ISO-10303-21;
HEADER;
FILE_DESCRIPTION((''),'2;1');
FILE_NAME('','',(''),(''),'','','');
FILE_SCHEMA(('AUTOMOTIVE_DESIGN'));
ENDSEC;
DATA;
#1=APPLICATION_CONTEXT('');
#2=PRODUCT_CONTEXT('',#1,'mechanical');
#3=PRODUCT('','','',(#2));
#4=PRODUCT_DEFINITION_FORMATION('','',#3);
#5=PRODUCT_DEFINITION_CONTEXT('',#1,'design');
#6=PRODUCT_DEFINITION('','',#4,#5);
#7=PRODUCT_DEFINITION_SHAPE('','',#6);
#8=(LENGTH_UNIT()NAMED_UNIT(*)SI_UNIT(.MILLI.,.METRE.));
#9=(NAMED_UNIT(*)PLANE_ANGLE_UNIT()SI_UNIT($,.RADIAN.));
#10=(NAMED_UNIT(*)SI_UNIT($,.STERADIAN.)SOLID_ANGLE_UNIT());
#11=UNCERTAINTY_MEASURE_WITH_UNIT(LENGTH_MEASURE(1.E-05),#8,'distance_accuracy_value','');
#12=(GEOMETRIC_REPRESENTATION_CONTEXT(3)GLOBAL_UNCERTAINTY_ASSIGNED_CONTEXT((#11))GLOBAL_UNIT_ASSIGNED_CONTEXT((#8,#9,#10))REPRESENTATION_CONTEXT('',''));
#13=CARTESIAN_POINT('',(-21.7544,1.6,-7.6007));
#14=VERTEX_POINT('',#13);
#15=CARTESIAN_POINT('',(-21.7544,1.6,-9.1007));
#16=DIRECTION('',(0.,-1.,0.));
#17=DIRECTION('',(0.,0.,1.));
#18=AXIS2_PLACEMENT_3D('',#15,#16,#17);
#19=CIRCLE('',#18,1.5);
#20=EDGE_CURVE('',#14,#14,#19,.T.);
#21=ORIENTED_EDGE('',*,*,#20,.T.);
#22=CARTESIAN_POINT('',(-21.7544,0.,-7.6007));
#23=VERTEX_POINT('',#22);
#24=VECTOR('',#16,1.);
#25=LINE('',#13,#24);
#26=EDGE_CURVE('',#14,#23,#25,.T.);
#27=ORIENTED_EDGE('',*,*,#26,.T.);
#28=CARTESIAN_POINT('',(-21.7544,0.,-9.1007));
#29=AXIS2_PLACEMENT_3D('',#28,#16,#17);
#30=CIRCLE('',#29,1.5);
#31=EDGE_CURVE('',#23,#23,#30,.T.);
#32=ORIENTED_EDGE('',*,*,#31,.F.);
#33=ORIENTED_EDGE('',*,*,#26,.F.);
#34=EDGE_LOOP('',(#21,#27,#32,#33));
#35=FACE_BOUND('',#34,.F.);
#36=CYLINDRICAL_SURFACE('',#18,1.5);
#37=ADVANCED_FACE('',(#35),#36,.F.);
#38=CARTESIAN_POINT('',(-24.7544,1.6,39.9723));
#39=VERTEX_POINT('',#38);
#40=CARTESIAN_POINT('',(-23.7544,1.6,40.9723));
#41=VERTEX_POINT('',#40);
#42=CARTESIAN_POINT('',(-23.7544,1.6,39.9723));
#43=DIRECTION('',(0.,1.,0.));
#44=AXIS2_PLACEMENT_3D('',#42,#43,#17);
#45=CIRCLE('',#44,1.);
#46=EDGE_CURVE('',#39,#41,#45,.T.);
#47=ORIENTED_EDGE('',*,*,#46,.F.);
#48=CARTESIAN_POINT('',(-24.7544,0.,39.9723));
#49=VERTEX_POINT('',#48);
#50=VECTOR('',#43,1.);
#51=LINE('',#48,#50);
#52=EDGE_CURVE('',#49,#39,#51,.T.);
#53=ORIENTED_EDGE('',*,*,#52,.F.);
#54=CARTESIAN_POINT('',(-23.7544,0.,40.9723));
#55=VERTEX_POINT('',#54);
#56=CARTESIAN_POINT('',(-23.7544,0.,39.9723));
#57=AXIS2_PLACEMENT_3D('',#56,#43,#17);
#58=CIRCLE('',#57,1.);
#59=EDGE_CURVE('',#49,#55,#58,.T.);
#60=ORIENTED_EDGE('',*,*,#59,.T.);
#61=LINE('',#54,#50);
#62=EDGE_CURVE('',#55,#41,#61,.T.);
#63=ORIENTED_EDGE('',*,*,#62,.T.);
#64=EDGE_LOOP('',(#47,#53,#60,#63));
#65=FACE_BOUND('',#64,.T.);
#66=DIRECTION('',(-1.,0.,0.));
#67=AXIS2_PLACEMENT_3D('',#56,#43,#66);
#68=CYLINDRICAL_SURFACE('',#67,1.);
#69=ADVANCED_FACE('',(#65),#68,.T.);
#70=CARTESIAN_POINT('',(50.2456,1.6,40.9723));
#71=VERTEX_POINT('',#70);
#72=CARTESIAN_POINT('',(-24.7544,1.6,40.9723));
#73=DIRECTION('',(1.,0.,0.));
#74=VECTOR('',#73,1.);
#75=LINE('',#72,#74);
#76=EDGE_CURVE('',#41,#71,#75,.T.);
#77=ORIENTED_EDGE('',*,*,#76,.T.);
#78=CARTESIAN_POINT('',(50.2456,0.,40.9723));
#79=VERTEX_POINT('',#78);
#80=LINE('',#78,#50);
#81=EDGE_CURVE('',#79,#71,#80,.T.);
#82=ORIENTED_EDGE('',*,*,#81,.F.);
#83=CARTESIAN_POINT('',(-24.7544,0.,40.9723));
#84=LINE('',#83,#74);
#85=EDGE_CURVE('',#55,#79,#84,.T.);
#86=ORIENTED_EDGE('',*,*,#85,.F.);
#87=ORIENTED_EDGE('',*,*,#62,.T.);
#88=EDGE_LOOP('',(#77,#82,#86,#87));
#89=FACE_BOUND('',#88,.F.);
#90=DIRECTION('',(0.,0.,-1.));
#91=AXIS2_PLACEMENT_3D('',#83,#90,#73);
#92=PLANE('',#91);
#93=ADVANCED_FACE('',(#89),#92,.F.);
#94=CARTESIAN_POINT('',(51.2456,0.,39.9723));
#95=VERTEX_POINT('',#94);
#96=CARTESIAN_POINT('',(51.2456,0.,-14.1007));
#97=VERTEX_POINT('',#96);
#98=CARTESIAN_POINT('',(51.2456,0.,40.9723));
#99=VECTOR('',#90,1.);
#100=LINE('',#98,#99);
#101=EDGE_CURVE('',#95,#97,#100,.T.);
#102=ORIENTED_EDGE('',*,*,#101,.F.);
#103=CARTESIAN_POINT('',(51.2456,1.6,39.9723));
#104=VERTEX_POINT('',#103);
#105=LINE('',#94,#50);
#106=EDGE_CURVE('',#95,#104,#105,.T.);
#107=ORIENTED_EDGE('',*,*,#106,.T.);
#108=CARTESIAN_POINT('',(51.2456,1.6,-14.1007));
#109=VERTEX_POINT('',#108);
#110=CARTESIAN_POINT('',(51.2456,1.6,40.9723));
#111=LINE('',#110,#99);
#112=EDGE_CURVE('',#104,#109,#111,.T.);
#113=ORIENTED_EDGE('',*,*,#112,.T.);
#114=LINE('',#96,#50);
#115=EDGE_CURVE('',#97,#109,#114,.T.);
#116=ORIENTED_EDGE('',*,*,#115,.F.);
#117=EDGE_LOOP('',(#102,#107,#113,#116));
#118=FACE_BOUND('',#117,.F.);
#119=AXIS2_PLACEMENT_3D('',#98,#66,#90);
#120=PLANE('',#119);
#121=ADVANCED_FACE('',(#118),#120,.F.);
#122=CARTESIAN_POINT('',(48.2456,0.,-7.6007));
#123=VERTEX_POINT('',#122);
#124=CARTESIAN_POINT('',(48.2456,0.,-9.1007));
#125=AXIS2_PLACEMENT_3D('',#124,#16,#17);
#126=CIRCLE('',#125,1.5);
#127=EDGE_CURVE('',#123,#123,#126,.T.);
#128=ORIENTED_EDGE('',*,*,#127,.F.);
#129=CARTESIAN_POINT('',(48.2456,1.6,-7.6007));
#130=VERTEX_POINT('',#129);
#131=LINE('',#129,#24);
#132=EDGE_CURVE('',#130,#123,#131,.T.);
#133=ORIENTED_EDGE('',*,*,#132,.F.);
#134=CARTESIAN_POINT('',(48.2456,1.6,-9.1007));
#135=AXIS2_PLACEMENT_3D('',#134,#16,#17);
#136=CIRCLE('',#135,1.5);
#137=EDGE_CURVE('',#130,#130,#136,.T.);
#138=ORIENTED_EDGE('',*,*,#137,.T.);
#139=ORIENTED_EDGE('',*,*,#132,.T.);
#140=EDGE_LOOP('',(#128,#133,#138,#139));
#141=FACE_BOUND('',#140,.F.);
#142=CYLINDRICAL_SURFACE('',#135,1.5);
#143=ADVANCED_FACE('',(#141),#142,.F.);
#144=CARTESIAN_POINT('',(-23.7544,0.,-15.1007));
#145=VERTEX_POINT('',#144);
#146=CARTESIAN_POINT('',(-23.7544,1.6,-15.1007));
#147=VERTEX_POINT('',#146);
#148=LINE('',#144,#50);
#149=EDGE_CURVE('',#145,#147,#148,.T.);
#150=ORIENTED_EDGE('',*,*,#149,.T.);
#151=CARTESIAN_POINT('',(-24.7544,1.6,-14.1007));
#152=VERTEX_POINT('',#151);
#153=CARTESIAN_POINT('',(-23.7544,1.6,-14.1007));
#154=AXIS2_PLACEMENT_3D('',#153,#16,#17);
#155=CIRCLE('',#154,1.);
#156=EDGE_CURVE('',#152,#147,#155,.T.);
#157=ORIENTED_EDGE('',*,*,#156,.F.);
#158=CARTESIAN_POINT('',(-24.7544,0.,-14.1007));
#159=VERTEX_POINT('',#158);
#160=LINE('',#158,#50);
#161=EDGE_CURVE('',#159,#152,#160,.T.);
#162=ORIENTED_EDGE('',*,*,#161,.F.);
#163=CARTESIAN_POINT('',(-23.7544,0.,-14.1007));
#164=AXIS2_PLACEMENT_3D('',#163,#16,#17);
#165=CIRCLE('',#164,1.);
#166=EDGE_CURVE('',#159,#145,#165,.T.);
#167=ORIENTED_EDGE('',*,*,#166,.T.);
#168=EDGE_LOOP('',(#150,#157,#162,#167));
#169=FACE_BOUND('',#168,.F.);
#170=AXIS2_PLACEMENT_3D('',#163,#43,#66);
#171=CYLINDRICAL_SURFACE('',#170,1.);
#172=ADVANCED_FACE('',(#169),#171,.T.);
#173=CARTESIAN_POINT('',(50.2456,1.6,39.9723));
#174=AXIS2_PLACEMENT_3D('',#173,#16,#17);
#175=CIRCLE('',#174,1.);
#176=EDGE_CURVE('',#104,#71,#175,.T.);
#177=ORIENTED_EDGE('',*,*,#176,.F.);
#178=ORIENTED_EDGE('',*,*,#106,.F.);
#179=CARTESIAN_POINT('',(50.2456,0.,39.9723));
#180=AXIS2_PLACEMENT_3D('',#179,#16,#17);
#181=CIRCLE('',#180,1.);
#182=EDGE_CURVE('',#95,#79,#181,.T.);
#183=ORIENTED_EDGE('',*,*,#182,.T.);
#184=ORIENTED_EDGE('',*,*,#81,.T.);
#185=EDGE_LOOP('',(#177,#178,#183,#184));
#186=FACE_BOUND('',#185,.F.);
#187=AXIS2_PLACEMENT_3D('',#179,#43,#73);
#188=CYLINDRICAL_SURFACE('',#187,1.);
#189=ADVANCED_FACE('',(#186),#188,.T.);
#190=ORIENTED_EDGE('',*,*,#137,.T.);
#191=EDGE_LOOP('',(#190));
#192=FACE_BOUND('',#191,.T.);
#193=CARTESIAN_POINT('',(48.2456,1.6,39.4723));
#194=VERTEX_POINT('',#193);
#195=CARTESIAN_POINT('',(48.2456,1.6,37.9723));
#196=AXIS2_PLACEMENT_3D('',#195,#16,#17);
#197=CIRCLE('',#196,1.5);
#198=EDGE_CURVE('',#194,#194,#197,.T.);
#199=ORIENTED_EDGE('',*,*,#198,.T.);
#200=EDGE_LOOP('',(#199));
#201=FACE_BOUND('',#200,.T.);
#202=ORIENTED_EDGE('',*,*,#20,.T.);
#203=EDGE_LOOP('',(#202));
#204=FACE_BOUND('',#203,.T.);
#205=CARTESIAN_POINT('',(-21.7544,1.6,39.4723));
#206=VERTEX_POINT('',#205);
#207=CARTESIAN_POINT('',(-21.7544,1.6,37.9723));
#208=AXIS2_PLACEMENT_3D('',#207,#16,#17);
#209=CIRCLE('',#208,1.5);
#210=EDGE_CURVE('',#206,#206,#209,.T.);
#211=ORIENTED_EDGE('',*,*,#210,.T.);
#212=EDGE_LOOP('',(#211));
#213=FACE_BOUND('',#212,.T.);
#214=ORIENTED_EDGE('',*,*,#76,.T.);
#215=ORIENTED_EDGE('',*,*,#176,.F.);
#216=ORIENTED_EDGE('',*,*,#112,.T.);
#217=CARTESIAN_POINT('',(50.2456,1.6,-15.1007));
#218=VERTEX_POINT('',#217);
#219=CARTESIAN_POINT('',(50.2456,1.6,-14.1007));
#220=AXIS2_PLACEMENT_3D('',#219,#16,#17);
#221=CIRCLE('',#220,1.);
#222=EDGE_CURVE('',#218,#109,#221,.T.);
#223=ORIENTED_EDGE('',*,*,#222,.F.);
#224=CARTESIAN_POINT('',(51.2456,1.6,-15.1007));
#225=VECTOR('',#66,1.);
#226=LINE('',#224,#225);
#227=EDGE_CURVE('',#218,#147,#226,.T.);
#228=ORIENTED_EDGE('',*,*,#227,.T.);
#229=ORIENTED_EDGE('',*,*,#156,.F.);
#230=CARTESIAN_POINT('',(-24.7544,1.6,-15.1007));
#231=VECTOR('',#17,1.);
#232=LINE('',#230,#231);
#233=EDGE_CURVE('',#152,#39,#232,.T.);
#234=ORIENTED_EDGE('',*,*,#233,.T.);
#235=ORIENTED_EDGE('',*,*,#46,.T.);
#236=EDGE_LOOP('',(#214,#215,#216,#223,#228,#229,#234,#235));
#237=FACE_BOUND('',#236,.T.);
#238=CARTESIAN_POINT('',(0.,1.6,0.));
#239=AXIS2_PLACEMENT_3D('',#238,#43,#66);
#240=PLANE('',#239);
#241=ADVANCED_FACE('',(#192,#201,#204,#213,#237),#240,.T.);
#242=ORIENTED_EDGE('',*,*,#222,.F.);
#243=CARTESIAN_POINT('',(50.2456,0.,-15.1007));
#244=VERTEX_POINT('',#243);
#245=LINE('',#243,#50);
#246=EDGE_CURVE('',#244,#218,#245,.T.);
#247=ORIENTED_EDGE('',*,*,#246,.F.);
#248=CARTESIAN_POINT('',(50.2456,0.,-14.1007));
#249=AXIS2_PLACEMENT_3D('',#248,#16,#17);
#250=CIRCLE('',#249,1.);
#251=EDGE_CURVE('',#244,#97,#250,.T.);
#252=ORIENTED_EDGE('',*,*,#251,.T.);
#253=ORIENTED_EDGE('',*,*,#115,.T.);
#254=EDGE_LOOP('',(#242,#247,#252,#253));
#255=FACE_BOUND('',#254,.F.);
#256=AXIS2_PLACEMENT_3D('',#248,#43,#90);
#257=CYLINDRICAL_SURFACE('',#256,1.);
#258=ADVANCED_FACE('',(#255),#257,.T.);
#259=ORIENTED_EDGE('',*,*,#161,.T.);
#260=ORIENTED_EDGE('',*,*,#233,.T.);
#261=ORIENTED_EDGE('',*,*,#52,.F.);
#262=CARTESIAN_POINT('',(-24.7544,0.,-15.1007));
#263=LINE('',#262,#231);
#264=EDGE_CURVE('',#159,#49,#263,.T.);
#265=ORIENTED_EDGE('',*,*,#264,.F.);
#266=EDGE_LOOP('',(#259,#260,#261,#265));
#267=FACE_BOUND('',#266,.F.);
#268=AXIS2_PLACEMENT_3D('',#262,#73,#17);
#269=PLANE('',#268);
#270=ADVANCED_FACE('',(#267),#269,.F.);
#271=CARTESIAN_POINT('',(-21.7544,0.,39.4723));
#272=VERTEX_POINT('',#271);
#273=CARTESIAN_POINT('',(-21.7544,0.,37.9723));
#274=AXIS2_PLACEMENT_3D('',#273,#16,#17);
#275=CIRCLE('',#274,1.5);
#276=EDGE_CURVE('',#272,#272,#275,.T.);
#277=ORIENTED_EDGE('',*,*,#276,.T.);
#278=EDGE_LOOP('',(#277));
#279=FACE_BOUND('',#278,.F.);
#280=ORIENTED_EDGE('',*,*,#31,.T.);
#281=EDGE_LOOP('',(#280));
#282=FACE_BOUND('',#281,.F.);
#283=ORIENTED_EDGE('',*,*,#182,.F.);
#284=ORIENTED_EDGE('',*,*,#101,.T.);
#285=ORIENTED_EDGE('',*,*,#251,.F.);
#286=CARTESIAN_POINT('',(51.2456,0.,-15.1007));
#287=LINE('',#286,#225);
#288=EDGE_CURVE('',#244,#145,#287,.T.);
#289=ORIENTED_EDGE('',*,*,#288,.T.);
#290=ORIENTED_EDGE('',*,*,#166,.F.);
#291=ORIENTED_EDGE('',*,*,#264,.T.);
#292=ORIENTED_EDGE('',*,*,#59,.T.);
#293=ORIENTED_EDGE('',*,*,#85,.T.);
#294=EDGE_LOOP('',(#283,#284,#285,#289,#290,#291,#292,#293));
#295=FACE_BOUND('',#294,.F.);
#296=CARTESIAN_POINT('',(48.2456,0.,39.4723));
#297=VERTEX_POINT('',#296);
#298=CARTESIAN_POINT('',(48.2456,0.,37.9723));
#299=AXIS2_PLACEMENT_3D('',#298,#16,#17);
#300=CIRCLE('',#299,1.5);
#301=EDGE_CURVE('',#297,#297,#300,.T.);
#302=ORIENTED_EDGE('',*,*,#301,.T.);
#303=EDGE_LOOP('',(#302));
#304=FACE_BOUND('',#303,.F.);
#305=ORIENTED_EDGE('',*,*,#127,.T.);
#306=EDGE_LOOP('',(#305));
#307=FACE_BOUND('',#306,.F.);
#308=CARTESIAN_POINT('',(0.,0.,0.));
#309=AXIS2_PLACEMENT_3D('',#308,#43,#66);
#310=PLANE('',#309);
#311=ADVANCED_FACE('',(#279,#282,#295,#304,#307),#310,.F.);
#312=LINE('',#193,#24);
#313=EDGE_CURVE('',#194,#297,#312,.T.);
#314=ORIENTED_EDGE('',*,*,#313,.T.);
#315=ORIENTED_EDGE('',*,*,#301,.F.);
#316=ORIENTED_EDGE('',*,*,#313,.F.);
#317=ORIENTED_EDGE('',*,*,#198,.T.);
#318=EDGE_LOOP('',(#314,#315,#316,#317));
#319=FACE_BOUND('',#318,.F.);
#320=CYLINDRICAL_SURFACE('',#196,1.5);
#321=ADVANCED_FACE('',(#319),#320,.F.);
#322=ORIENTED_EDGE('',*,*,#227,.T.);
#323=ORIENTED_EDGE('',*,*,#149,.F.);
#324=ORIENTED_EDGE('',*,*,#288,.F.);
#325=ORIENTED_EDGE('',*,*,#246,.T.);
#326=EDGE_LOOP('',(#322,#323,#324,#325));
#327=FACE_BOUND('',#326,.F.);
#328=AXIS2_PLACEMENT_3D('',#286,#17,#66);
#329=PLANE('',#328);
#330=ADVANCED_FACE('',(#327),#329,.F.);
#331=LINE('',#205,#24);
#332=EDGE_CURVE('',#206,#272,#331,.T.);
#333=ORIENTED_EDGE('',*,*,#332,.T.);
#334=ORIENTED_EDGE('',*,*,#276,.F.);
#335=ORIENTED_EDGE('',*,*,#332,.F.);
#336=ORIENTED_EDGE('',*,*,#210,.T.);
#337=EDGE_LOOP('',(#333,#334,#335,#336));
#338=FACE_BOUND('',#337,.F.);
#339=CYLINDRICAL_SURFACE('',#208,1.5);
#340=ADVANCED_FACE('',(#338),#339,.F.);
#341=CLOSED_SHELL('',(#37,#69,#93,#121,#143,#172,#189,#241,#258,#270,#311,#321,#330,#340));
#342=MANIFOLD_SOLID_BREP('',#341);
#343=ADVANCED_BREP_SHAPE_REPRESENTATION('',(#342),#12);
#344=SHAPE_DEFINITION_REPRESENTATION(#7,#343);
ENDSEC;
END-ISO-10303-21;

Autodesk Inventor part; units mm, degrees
ref_plane "YZ Plane" through (0, 0, 0) normal (1, 0, 0) x (0, 1, 0)
ref_plane "XZ Plane" through (0, 0, 0) normal (0, 1, 0) x (-1, 0, 0)
ref_plane "XY Plane" through (0, 0, 0) normal (0, 0, 1) x (1, 0, 0)
sketch "Szkic1" plane through (0, 0, 0) normal (0, 1, 0) x (-1, 0, 0)
  line L0 (24.7544, 40.9723) -> (-51.2456, 40.9723)
  line L1 (-51.2456, 40.9723) -> (-51.2456, -15.1007)
  line L2 (-51.2456, -15.1007) -> (24.7544, -15.1007)
  line L3 (24.7544, -15.1007) -> (24.7544, 40.9723)
  point P0 (0, 0)
  dimension "d0" = 76
  dimension "d1" = 56.073
extrude "Wyciągnięcie proste1" add sketch "Szkic1" along normal blind 1.6
fillet "Zaokrąglenie1" radius 1 4 edges at (51.2456, 0.8, -15.1007) (51.2456, 0.8, 40.9723) (-24.7544, 0.8, 40.9723) (-24.7544, 0.8, -15.1007)
sketch "Szkic2" plane through (0, 1.6, 0) normal (0, 1, 0) x (1, 0, 0)
  circle A0 centre (-21.7544, 9.1007) radius 1.6 projected
  circle A1 centre (48.2456, 9.1007) radius 1.6 projected
  circle A2 centre (-21.7544, -37.9723) radius 1.6 projected
  circle A3 centre (48.2456, -37.9723) radius 1.6 projected
  point P0 (0, 0)
hole "Otwór1" at (-21.7544, 1.6, -9.1007) at (48.2456, 1.6, -9.1007) at (-21.7544, 1.6, 37.9723) at (48.2456, 1.6, 37.9723) direction (0, -1, 0) diameter 3 end through all
properties part number "pcb_glowne"
